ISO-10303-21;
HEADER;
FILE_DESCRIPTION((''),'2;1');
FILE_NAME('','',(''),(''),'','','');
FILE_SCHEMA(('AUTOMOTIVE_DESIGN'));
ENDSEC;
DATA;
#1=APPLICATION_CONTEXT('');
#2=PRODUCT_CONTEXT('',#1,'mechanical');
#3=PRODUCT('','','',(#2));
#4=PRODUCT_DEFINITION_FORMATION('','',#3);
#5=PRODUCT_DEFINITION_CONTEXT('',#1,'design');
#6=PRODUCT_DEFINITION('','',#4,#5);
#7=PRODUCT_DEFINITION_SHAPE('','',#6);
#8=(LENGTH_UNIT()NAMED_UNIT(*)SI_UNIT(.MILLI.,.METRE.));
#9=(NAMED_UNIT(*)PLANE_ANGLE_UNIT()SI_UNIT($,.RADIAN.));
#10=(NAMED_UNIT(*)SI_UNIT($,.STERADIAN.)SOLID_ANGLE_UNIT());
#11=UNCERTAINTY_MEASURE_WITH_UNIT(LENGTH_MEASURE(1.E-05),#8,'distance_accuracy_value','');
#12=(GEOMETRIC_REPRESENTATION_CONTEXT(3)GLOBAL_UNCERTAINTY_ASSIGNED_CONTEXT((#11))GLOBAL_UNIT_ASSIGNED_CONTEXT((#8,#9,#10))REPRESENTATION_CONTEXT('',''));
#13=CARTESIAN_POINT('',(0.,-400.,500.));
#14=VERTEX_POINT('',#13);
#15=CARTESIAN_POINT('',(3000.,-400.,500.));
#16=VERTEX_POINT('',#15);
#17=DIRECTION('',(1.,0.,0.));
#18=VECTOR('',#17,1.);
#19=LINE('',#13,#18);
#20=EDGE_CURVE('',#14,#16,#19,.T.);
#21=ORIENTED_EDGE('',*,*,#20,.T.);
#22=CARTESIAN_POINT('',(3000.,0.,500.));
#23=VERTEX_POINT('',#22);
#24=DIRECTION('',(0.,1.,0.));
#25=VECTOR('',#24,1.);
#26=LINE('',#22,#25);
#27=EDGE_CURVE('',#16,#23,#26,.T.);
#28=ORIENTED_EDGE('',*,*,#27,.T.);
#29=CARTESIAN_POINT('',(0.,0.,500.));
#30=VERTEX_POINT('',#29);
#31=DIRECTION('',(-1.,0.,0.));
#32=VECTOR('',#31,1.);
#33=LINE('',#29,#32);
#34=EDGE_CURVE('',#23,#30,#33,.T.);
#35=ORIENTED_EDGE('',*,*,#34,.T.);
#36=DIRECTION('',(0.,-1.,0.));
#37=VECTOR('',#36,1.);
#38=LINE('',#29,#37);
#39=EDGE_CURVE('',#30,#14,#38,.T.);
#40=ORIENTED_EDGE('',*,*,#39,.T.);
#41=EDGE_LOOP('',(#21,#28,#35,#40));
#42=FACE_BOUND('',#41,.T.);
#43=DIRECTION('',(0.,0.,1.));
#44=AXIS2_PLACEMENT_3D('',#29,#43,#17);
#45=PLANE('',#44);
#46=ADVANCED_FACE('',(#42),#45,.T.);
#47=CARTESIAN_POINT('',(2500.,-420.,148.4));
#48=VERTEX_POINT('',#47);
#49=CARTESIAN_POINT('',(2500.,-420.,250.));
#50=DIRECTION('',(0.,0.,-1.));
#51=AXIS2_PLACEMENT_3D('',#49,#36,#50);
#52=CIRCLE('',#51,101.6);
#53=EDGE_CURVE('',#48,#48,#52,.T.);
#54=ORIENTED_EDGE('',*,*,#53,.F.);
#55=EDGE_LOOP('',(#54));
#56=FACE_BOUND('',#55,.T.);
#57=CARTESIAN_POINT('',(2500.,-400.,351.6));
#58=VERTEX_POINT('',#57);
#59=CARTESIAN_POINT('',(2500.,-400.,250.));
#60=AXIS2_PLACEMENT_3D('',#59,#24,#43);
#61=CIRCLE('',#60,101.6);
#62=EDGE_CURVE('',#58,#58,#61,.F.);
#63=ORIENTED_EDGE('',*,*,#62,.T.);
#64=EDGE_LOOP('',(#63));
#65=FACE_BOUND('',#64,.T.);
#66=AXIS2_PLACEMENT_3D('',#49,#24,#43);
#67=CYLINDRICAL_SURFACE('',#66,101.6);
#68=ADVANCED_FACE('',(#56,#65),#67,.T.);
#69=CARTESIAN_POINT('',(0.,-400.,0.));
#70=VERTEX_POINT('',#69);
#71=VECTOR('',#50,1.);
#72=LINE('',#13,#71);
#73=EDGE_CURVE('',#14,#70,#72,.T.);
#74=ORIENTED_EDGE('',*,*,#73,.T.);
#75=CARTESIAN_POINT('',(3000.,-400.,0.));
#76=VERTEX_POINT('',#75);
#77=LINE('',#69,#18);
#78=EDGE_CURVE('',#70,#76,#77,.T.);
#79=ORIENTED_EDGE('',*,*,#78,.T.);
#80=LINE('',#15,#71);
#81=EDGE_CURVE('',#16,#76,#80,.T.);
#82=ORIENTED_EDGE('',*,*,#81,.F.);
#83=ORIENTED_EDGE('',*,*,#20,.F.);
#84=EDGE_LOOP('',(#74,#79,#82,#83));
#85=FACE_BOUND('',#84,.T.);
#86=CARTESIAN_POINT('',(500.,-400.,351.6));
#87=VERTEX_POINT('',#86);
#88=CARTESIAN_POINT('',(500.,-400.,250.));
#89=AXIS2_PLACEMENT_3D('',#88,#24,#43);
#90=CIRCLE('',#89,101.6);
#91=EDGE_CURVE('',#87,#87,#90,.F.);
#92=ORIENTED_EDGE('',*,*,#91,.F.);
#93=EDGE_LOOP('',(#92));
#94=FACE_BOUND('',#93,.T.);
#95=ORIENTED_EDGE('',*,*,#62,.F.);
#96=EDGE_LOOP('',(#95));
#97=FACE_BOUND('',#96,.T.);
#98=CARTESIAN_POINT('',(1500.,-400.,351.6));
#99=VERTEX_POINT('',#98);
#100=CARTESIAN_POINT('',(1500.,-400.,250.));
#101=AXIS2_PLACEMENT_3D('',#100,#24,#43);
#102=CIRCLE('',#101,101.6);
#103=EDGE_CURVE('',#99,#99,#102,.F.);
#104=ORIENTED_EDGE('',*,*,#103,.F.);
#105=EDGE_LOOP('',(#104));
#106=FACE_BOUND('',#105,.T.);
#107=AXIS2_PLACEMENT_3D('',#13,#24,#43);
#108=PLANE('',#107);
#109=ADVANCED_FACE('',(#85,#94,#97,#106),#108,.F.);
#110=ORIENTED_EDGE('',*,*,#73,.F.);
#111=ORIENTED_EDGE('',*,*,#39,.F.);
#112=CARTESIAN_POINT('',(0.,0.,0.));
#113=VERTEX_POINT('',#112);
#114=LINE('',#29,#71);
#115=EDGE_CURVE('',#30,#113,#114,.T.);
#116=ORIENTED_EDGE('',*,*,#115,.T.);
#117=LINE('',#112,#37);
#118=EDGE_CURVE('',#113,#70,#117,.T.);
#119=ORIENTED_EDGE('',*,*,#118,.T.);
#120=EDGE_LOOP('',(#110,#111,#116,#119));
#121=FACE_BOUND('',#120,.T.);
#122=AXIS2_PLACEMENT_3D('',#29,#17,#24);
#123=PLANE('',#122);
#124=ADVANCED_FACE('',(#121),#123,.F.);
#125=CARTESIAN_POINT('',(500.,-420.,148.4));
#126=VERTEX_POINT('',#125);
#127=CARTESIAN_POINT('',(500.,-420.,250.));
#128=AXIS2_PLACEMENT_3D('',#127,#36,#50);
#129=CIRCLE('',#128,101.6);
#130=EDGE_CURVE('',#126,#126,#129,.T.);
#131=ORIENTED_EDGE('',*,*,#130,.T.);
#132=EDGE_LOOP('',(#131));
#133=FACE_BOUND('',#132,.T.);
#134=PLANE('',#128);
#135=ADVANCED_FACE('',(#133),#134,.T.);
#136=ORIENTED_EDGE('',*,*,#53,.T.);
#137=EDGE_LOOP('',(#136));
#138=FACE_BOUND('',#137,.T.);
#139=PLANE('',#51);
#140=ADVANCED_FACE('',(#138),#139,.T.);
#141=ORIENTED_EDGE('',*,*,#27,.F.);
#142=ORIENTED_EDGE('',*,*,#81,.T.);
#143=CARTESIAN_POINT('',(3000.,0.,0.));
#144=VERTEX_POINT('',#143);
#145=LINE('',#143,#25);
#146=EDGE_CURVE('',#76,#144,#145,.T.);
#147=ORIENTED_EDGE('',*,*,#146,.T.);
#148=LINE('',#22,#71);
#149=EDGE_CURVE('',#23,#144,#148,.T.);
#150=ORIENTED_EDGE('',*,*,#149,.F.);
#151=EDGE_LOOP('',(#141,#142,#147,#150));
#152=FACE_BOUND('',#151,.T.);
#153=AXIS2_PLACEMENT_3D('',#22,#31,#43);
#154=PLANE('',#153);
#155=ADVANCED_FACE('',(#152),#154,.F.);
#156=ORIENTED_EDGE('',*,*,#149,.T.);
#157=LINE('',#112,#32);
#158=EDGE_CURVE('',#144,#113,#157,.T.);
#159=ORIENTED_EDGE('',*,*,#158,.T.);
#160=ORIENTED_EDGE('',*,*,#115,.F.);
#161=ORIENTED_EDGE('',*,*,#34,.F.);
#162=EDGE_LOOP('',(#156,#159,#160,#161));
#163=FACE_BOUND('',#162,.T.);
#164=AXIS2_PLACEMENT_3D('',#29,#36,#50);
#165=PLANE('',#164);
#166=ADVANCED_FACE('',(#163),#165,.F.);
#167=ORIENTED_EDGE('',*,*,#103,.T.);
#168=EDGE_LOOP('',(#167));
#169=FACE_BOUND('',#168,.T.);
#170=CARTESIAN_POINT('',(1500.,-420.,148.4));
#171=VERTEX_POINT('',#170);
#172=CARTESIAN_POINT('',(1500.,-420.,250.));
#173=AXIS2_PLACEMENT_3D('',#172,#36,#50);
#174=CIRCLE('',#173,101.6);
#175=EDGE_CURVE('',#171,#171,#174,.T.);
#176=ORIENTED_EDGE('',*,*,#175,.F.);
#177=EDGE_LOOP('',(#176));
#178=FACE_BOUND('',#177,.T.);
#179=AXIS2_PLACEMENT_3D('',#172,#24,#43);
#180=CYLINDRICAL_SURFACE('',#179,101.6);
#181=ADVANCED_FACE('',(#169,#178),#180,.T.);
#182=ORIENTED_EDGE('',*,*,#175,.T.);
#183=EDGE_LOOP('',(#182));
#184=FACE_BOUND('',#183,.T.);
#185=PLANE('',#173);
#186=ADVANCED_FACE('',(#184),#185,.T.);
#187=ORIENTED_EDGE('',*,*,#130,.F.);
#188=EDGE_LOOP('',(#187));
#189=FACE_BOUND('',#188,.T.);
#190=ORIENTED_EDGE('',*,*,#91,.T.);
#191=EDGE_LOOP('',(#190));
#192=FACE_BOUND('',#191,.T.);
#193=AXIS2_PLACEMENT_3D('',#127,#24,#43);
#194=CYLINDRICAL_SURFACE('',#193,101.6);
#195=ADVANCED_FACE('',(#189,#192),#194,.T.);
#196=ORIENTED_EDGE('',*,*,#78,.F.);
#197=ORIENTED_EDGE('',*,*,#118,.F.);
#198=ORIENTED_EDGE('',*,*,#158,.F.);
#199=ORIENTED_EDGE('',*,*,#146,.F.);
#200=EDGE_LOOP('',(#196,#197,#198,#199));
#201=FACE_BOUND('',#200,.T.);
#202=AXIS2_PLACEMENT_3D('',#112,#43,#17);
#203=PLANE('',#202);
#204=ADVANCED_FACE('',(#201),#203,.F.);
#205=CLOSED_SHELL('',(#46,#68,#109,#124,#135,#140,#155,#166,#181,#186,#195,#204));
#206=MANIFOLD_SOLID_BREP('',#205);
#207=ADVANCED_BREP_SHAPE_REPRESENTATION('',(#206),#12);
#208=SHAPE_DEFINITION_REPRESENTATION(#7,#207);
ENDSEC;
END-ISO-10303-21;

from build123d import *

# Parameters (mm, degrees)
CROQUIS1_W              = 3000
CROQUIS1_H              = 400
SALIENTE_EXTRUIR1_DEPTH = 500
CROQUIS2_R              = 101.6
SALIENTE_EXTRUIR2_DEPTH = 20


with BuildPart() as part:
    # Croquis1 → Saliente-Extruir1 (new body)
    with BuildSketch(Plane.XY):
        with Locations((1500, -200)):
            Rectangle(CROQUIS1_W, CROQUIS1_H)
    extrude(amount=SALIENTE_EXTRUIR1_DEPTH)

    # Croquis2 → Saliente-Extruir2 (add)
    with BuildSketch(Plane.XZ.offset(400)):
        with Locations(Location((2500, 250, 0), (0, 0, 90))):
            Circle(CROQUIS2_R)
        with Locations(Location((500, 250, 0), (0, 0, 90))):
            Circle(CROQUIS2_R)
        with Locations(Location((1500, 250, 0), (0, 0, 90))):
            Circle(CROQUIS2_R)
    extrude(amount=SALIENTE_EXTRUIR2_DEPTH)


solid = part.part
